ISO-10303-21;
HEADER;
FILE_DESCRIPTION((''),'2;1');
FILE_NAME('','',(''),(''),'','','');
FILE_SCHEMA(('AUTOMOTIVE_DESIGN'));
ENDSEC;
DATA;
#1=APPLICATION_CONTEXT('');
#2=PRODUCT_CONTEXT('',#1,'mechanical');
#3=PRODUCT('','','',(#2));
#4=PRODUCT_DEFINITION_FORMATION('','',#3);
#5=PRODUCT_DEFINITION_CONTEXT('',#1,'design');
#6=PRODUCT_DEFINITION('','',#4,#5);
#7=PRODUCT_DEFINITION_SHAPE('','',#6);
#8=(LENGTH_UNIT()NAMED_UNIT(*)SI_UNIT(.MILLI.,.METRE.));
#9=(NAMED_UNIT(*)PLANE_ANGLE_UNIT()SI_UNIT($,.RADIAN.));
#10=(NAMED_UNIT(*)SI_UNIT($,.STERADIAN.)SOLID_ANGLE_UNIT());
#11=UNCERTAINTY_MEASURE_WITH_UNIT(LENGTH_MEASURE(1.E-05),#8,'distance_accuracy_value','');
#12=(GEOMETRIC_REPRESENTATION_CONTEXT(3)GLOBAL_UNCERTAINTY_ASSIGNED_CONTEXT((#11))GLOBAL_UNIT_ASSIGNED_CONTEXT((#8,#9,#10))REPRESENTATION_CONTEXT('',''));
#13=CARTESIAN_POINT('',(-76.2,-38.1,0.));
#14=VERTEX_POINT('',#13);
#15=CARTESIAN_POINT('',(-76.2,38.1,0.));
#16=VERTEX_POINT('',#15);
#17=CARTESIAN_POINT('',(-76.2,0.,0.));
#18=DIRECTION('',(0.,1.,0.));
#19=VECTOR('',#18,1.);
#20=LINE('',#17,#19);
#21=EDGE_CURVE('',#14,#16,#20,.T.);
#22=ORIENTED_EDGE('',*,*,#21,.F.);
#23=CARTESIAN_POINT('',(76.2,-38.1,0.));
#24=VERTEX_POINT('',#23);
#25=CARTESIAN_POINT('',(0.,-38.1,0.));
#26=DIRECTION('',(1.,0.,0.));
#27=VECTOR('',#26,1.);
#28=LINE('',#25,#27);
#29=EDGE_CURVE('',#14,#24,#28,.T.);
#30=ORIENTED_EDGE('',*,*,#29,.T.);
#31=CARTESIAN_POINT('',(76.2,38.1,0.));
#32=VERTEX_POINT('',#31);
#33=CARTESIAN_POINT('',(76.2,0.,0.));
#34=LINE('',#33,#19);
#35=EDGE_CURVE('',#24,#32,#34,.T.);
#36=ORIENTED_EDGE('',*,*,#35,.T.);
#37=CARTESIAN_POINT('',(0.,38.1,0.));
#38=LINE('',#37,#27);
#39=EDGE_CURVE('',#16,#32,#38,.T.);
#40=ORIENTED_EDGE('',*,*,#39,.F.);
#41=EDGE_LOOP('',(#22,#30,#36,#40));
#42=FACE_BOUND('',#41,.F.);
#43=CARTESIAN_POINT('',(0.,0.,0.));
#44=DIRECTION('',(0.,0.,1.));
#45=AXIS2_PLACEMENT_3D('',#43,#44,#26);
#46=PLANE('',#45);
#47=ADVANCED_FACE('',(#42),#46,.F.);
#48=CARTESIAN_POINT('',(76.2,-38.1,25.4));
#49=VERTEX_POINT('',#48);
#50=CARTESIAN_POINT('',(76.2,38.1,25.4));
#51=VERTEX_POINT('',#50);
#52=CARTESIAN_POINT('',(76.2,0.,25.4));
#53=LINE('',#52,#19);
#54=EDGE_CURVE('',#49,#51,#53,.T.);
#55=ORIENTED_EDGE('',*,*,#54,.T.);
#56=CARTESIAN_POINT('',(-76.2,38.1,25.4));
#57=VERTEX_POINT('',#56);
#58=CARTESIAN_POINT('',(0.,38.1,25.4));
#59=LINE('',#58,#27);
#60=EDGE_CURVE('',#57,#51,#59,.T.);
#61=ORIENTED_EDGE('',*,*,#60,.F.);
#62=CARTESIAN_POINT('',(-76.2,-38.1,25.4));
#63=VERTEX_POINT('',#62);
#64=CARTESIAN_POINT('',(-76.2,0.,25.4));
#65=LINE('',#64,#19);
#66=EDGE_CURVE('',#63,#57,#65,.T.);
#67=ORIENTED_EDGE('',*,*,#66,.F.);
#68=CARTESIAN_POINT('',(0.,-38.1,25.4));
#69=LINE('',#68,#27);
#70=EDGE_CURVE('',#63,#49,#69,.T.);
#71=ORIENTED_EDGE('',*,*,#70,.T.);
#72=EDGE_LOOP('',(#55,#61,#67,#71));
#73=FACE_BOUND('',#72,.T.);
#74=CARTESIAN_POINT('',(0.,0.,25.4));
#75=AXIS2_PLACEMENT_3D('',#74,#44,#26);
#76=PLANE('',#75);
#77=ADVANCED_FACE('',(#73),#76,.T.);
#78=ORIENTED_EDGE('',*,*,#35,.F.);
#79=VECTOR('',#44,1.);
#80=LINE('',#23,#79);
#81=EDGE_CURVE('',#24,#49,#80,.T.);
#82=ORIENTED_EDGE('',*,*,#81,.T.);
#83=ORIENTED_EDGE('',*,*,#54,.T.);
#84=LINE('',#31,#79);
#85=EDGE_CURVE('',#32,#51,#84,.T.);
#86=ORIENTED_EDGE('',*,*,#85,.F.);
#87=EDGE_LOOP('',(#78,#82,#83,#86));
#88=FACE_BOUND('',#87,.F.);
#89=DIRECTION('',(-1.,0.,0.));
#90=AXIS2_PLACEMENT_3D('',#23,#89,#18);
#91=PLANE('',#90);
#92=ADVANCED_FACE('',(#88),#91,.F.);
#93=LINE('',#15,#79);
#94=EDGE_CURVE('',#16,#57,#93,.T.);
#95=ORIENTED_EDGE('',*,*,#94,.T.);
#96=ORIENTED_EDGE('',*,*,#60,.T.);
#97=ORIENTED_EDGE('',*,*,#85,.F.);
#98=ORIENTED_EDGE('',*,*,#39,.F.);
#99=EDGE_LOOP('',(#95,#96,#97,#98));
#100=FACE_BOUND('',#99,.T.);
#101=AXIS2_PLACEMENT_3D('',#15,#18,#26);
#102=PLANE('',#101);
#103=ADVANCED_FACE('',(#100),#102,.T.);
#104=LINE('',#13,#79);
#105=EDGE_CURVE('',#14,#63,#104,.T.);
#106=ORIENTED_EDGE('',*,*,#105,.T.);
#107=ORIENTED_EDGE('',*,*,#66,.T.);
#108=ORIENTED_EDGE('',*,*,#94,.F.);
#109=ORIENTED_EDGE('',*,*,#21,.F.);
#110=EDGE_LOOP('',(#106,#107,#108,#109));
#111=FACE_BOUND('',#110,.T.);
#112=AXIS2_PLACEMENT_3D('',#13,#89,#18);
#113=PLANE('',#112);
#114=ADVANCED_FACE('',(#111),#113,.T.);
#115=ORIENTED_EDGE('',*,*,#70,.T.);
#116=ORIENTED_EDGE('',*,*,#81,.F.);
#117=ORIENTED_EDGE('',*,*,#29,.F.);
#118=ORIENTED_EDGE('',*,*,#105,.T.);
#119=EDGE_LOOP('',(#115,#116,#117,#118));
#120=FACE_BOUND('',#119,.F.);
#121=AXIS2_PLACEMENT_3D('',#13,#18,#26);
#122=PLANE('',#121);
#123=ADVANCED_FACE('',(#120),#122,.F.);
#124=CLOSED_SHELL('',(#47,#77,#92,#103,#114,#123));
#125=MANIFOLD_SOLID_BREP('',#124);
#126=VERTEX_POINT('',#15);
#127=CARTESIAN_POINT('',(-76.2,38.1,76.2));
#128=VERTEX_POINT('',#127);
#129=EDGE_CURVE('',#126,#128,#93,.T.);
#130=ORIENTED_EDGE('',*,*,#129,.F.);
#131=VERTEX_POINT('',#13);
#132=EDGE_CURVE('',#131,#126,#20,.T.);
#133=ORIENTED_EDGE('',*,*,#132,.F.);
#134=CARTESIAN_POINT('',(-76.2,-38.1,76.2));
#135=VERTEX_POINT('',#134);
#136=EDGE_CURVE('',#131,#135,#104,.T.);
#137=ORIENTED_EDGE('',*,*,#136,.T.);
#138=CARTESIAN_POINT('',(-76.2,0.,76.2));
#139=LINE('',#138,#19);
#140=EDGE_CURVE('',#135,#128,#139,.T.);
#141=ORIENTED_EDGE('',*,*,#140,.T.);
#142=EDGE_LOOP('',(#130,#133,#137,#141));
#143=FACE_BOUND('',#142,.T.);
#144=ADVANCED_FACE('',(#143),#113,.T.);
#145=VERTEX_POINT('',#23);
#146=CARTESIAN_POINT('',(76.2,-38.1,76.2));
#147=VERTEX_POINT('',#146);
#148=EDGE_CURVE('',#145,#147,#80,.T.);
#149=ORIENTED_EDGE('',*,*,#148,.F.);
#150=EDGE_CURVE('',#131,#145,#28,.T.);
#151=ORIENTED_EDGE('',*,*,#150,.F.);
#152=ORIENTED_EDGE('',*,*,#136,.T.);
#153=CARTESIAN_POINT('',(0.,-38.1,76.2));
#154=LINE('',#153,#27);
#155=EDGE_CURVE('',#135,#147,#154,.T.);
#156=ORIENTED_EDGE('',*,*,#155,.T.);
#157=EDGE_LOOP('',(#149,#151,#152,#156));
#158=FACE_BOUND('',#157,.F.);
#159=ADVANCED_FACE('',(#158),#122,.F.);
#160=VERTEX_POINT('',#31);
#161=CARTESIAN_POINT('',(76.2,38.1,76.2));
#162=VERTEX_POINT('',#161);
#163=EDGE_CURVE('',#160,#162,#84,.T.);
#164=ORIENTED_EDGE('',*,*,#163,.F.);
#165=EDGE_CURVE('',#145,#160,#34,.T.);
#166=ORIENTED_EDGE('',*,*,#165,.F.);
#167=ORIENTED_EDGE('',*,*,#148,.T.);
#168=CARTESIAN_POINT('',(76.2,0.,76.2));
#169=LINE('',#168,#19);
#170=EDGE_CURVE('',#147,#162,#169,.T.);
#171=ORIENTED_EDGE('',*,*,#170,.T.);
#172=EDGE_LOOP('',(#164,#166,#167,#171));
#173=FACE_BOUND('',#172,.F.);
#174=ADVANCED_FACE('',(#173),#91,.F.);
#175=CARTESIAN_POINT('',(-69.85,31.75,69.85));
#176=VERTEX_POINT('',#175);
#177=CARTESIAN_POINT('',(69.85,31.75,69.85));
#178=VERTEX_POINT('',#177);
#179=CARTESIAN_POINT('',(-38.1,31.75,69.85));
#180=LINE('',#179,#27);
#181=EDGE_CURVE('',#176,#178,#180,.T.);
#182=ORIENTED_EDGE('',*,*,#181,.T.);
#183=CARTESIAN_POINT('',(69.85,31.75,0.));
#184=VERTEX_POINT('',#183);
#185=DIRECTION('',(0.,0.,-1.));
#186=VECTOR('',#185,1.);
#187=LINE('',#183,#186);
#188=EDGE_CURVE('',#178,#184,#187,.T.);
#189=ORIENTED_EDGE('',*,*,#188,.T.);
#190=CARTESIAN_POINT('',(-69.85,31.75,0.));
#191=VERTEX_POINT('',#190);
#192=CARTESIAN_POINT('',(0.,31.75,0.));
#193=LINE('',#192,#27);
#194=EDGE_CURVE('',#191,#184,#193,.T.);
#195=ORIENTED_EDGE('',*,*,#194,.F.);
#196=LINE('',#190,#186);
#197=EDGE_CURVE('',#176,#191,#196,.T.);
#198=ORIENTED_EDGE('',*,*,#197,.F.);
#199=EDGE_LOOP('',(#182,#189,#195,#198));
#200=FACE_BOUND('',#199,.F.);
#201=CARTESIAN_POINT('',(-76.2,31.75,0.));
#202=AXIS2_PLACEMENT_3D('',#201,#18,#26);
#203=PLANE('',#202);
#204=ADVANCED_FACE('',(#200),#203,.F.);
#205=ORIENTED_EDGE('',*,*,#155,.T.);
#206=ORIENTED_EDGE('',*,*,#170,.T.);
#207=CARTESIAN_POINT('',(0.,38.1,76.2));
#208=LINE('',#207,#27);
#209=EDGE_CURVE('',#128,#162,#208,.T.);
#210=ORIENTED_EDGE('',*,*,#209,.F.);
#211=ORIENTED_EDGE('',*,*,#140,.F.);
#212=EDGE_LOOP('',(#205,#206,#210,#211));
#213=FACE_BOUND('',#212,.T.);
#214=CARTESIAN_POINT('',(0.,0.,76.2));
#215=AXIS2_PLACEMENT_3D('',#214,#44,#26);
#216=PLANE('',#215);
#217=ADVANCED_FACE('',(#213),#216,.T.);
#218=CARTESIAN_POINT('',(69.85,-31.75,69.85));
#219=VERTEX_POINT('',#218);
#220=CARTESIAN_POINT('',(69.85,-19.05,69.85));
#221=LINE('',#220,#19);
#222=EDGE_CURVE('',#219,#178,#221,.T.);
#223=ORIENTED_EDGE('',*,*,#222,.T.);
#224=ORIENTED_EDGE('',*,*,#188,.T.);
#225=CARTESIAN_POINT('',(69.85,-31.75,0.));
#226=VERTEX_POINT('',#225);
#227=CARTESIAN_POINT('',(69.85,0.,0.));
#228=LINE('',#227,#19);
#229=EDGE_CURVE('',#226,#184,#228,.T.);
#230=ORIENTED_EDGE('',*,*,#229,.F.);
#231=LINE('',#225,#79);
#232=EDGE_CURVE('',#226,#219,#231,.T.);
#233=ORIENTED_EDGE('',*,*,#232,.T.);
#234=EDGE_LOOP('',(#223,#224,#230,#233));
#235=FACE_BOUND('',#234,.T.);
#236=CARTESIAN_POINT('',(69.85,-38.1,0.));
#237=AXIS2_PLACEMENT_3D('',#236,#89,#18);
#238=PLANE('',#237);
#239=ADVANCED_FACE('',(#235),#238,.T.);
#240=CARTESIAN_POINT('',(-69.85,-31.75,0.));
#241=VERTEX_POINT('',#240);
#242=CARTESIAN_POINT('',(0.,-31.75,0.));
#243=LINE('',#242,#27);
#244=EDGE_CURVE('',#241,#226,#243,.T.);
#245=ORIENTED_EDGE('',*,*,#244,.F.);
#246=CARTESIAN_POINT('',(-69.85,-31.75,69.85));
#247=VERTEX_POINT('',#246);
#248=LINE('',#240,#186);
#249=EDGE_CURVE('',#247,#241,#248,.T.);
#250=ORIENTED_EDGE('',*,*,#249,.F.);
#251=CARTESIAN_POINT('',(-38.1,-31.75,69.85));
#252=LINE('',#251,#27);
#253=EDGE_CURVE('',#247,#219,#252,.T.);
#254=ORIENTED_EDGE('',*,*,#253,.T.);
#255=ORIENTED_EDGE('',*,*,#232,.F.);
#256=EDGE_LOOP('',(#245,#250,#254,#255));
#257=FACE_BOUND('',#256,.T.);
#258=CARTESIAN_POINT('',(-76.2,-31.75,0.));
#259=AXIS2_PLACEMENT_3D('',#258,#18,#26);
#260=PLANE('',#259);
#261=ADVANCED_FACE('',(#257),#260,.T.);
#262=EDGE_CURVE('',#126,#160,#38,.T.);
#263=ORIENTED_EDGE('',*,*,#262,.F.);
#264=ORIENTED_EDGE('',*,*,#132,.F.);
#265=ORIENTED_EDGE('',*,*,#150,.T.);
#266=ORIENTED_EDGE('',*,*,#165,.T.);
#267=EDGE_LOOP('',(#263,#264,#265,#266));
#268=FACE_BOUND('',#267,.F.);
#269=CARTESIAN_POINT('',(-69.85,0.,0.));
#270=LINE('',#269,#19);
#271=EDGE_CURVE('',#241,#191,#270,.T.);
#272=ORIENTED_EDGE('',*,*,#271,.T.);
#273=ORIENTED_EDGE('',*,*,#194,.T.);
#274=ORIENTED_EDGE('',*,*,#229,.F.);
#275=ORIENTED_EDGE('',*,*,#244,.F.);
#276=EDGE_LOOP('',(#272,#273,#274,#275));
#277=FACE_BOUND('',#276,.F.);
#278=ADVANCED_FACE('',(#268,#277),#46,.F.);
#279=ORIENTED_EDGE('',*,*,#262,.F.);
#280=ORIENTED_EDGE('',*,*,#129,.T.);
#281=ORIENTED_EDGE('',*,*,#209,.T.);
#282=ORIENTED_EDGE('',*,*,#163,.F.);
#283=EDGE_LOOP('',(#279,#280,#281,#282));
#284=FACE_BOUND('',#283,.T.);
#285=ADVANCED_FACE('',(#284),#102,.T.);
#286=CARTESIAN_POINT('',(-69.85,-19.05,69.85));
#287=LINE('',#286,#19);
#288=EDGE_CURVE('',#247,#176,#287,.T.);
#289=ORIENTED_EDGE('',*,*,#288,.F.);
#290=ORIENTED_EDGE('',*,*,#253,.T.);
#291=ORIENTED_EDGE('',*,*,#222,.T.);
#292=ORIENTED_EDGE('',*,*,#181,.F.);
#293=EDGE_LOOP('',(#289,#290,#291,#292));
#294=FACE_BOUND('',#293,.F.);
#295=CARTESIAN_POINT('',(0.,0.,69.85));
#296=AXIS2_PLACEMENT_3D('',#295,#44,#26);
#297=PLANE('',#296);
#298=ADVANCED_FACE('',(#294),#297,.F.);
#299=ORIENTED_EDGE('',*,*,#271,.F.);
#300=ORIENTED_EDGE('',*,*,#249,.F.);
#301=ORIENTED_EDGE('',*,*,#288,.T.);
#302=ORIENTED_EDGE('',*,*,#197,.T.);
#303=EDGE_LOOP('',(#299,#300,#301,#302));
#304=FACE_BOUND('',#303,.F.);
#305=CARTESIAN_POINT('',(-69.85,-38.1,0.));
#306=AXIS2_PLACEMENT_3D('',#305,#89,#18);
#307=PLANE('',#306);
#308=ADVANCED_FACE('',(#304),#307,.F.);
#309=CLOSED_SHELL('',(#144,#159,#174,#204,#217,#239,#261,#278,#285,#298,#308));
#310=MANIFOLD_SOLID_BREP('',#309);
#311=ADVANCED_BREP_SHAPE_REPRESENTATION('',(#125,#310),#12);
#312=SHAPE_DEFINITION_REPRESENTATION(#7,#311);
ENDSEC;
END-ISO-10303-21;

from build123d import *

# Parameters (mm, degrees)
F0_W     = 152.4
F0_H     = 76.2
F1_DEPTH = 76.2
F2_T     = -6.35
F3_W     = 152.4
F3_H     = 76.2
F4_DEPTH = 25.4


with BuildPart() as f1:
    # F0 (on Top) → F1 (new body)
    with BuildSketch(Plane.XY):
        Rectangle(F0_W, F0_H)
    extrude(amount=F1_DEPTH)

    # F2
    f2_openings = [f1.faces().sort_by_distance(p)[0] for p in [
        (0, 0, 0),
    ]]
    offset(amount=F2_T, openings=f2_openings)


with BuildPart() as f4:
    # F3 (on Top) → F4 (new body)
    with BuildSketch(Plane.XY):
        Rectangle(F3_W, F3_H)
    extrude(amount=F4_DEPTH)


solid = Compound([f1.part, f4.part])
